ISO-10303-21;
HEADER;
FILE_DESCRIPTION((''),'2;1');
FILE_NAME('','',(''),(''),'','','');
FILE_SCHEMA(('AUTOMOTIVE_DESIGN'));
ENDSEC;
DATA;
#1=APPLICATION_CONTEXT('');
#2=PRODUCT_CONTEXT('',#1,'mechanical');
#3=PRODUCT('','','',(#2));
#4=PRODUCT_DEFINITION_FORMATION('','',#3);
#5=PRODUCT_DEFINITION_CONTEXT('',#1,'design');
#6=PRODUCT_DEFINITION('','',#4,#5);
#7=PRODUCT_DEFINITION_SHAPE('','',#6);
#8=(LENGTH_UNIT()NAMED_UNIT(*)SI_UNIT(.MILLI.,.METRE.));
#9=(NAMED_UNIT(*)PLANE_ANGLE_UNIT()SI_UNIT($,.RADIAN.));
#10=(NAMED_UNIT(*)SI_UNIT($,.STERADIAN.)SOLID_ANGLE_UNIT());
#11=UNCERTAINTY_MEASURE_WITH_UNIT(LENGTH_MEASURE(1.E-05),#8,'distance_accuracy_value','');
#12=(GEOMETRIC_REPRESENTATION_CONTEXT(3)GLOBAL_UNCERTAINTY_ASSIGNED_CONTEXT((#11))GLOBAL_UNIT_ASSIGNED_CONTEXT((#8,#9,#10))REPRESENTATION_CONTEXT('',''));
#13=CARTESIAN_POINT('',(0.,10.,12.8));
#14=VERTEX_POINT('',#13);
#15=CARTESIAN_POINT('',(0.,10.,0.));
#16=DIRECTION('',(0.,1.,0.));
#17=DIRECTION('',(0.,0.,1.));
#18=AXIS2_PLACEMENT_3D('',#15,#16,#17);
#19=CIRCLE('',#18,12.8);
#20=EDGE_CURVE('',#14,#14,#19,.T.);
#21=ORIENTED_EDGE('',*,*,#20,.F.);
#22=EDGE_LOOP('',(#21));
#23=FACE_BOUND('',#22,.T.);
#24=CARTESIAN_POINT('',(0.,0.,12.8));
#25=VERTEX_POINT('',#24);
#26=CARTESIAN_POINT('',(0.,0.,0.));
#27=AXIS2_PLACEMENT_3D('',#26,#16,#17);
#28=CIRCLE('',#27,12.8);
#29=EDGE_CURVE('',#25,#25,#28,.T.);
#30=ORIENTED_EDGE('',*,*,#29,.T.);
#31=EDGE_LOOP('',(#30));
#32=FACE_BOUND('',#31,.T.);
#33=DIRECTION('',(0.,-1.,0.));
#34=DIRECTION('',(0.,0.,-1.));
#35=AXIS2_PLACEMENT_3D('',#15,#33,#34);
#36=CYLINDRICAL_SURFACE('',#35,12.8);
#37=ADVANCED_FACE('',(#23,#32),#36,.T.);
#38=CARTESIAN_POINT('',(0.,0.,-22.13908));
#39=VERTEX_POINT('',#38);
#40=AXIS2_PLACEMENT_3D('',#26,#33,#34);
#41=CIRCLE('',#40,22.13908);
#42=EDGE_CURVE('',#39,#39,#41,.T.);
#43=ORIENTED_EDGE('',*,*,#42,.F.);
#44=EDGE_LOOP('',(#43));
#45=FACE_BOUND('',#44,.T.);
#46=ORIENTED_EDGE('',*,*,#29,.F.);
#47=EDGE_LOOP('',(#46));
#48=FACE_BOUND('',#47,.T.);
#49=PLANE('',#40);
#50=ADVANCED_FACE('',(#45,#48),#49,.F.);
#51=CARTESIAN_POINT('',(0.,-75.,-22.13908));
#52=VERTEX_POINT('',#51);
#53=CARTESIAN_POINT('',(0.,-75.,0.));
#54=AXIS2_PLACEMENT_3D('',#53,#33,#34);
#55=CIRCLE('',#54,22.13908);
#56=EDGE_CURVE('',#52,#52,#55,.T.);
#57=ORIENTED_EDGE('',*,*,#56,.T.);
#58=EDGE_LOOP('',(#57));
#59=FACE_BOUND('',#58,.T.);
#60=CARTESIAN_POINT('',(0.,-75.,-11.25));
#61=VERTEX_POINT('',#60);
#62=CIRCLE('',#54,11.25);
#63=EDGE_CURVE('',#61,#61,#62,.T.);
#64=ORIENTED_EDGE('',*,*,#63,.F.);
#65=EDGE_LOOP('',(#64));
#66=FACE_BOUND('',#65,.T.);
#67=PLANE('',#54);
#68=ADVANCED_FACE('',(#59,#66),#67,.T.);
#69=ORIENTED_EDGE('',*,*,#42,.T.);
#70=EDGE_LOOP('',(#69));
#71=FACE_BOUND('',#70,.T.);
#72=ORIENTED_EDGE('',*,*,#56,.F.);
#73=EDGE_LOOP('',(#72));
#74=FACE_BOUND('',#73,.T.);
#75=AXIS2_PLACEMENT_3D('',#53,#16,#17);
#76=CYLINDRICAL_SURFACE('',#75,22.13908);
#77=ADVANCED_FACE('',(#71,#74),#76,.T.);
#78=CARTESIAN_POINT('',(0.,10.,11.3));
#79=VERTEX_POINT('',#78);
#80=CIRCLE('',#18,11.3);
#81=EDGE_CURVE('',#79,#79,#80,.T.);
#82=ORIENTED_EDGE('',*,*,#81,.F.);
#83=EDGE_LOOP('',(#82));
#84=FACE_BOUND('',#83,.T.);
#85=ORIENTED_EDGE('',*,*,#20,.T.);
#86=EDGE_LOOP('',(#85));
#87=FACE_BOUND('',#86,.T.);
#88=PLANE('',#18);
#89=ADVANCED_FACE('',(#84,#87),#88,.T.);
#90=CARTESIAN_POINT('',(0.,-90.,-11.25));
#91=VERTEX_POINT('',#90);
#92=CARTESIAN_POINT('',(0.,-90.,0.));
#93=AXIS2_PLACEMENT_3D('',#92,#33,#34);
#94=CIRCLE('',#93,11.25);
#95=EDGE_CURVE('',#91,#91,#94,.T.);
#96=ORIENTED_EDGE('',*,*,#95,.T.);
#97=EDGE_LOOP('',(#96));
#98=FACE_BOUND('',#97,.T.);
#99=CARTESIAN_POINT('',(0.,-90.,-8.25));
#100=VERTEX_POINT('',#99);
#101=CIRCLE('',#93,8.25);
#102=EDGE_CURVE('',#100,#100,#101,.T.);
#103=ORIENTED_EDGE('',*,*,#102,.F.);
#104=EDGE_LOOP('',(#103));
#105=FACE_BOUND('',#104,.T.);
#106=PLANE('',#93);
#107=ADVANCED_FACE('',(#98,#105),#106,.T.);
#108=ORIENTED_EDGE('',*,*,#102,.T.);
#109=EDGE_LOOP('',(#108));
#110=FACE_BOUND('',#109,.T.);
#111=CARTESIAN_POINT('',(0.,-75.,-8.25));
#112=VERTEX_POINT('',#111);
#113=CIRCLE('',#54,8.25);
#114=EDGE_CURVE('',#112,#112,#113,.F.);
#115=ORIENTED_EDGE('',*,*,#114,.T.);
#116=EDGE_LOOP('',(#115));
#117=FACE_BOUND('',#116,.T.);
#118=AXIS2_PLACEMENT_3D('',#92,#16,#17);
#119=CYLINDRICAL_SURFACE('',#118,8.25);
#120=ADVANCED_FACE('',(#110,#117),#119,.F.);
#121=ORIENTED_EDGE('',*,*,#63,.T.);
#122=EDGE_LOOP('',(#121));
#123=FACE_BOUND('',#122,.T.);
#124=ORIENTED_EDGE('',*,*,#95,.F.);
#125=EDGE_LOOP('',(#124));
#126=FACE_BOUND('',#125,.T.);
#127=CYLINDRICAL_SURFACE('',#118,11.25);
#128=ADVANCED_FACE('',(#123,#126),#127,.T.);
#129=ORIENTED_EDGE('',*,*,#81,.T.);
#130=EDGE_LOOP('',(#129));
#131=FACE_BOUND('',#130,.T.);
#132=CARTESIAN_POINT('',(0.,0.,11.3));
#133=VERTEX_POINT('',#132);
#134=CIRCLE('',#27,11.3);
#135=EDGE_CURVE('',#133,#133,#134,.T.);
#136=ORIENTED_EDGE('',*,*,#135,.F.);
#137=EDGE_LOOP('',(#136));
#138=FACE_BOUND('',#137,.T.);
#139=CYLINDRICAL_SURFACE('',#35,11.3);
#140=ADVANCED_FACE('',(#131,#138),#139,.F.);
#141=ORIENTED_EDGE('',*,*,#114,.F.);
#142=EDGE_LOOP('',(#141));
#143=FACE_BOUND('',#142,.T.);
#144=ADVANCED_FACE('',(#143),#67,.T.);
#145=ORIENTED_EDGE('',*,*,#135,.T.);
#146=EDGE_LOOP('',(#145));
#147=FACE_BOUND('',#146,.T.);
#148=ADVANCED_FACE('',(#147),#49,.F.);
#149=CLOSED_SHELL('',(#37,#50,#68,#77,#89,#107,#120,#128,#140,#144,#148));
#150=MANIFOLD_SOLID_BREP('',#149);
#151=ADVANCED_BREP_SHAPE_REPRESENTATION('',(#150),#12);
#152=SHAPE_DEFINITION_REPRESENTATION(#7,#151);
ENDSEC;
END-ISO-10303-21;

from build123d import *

# Parameters (mm, degrees)
SKETCH1_R           = 12.8
SKETCH1_R_2         = 11.3
BOSS_EXTRUDE1_DEPTH = 10
SKETCH2_R           = 22.139080492
BOSS_EXTRUDE2_DEPTH = 75
SKETCH3_R           = 11.25
SKETCH3_R_2         = 8.25
BOSS_EXTRUDE3_DEPTH = 15


with BuildPart() as part:
    # Sketch1 → Boss-Extrude1 (new body)
    with BuildSketch(Plane(origin=(0, 0, 0), x_dir=(1, 0, 0), z_dir=(0, 1, 0))):
        with Locations(Location((0, 0, 0), (0, 0, 270))):
            Circle(SKETCH1_R)
        with Locations(Location((0, 0, 0), (0, 0, 270))):
            Circle(SKETCH1_R_2, mode=Mode.SUBTRACT)
    extrude(amount=BOSS_EXTRUDE1_DEPTH)

    # Sketch2 → Boss-Extrude2 (add)
    with BuildSketch(Plane.XZ):
        with Locations(Location((0, 0, 0), (0, 0, 270))):
            Circle(SKETCH2_R)
    extrude(amount=BOSS_EXTRUDE2_DEPTH)

    # Sketch3 → Boss-Extrude3 (add)
    with BuildSketch(Plane.XZ.offset(75)):
        with Locations(Location((0, 0, 0), (0, 0, 270))):
            Circle(SKETCH3_R)
        with Locations(Location((0, 0, 0), (0, 0, 270))):
            Circle(SKETCH3_R_2, mode=Mode.SUBTRACT)
    extrude(amount=BOSS_EXTRUDE3_DEPTH)


solid = part.part
